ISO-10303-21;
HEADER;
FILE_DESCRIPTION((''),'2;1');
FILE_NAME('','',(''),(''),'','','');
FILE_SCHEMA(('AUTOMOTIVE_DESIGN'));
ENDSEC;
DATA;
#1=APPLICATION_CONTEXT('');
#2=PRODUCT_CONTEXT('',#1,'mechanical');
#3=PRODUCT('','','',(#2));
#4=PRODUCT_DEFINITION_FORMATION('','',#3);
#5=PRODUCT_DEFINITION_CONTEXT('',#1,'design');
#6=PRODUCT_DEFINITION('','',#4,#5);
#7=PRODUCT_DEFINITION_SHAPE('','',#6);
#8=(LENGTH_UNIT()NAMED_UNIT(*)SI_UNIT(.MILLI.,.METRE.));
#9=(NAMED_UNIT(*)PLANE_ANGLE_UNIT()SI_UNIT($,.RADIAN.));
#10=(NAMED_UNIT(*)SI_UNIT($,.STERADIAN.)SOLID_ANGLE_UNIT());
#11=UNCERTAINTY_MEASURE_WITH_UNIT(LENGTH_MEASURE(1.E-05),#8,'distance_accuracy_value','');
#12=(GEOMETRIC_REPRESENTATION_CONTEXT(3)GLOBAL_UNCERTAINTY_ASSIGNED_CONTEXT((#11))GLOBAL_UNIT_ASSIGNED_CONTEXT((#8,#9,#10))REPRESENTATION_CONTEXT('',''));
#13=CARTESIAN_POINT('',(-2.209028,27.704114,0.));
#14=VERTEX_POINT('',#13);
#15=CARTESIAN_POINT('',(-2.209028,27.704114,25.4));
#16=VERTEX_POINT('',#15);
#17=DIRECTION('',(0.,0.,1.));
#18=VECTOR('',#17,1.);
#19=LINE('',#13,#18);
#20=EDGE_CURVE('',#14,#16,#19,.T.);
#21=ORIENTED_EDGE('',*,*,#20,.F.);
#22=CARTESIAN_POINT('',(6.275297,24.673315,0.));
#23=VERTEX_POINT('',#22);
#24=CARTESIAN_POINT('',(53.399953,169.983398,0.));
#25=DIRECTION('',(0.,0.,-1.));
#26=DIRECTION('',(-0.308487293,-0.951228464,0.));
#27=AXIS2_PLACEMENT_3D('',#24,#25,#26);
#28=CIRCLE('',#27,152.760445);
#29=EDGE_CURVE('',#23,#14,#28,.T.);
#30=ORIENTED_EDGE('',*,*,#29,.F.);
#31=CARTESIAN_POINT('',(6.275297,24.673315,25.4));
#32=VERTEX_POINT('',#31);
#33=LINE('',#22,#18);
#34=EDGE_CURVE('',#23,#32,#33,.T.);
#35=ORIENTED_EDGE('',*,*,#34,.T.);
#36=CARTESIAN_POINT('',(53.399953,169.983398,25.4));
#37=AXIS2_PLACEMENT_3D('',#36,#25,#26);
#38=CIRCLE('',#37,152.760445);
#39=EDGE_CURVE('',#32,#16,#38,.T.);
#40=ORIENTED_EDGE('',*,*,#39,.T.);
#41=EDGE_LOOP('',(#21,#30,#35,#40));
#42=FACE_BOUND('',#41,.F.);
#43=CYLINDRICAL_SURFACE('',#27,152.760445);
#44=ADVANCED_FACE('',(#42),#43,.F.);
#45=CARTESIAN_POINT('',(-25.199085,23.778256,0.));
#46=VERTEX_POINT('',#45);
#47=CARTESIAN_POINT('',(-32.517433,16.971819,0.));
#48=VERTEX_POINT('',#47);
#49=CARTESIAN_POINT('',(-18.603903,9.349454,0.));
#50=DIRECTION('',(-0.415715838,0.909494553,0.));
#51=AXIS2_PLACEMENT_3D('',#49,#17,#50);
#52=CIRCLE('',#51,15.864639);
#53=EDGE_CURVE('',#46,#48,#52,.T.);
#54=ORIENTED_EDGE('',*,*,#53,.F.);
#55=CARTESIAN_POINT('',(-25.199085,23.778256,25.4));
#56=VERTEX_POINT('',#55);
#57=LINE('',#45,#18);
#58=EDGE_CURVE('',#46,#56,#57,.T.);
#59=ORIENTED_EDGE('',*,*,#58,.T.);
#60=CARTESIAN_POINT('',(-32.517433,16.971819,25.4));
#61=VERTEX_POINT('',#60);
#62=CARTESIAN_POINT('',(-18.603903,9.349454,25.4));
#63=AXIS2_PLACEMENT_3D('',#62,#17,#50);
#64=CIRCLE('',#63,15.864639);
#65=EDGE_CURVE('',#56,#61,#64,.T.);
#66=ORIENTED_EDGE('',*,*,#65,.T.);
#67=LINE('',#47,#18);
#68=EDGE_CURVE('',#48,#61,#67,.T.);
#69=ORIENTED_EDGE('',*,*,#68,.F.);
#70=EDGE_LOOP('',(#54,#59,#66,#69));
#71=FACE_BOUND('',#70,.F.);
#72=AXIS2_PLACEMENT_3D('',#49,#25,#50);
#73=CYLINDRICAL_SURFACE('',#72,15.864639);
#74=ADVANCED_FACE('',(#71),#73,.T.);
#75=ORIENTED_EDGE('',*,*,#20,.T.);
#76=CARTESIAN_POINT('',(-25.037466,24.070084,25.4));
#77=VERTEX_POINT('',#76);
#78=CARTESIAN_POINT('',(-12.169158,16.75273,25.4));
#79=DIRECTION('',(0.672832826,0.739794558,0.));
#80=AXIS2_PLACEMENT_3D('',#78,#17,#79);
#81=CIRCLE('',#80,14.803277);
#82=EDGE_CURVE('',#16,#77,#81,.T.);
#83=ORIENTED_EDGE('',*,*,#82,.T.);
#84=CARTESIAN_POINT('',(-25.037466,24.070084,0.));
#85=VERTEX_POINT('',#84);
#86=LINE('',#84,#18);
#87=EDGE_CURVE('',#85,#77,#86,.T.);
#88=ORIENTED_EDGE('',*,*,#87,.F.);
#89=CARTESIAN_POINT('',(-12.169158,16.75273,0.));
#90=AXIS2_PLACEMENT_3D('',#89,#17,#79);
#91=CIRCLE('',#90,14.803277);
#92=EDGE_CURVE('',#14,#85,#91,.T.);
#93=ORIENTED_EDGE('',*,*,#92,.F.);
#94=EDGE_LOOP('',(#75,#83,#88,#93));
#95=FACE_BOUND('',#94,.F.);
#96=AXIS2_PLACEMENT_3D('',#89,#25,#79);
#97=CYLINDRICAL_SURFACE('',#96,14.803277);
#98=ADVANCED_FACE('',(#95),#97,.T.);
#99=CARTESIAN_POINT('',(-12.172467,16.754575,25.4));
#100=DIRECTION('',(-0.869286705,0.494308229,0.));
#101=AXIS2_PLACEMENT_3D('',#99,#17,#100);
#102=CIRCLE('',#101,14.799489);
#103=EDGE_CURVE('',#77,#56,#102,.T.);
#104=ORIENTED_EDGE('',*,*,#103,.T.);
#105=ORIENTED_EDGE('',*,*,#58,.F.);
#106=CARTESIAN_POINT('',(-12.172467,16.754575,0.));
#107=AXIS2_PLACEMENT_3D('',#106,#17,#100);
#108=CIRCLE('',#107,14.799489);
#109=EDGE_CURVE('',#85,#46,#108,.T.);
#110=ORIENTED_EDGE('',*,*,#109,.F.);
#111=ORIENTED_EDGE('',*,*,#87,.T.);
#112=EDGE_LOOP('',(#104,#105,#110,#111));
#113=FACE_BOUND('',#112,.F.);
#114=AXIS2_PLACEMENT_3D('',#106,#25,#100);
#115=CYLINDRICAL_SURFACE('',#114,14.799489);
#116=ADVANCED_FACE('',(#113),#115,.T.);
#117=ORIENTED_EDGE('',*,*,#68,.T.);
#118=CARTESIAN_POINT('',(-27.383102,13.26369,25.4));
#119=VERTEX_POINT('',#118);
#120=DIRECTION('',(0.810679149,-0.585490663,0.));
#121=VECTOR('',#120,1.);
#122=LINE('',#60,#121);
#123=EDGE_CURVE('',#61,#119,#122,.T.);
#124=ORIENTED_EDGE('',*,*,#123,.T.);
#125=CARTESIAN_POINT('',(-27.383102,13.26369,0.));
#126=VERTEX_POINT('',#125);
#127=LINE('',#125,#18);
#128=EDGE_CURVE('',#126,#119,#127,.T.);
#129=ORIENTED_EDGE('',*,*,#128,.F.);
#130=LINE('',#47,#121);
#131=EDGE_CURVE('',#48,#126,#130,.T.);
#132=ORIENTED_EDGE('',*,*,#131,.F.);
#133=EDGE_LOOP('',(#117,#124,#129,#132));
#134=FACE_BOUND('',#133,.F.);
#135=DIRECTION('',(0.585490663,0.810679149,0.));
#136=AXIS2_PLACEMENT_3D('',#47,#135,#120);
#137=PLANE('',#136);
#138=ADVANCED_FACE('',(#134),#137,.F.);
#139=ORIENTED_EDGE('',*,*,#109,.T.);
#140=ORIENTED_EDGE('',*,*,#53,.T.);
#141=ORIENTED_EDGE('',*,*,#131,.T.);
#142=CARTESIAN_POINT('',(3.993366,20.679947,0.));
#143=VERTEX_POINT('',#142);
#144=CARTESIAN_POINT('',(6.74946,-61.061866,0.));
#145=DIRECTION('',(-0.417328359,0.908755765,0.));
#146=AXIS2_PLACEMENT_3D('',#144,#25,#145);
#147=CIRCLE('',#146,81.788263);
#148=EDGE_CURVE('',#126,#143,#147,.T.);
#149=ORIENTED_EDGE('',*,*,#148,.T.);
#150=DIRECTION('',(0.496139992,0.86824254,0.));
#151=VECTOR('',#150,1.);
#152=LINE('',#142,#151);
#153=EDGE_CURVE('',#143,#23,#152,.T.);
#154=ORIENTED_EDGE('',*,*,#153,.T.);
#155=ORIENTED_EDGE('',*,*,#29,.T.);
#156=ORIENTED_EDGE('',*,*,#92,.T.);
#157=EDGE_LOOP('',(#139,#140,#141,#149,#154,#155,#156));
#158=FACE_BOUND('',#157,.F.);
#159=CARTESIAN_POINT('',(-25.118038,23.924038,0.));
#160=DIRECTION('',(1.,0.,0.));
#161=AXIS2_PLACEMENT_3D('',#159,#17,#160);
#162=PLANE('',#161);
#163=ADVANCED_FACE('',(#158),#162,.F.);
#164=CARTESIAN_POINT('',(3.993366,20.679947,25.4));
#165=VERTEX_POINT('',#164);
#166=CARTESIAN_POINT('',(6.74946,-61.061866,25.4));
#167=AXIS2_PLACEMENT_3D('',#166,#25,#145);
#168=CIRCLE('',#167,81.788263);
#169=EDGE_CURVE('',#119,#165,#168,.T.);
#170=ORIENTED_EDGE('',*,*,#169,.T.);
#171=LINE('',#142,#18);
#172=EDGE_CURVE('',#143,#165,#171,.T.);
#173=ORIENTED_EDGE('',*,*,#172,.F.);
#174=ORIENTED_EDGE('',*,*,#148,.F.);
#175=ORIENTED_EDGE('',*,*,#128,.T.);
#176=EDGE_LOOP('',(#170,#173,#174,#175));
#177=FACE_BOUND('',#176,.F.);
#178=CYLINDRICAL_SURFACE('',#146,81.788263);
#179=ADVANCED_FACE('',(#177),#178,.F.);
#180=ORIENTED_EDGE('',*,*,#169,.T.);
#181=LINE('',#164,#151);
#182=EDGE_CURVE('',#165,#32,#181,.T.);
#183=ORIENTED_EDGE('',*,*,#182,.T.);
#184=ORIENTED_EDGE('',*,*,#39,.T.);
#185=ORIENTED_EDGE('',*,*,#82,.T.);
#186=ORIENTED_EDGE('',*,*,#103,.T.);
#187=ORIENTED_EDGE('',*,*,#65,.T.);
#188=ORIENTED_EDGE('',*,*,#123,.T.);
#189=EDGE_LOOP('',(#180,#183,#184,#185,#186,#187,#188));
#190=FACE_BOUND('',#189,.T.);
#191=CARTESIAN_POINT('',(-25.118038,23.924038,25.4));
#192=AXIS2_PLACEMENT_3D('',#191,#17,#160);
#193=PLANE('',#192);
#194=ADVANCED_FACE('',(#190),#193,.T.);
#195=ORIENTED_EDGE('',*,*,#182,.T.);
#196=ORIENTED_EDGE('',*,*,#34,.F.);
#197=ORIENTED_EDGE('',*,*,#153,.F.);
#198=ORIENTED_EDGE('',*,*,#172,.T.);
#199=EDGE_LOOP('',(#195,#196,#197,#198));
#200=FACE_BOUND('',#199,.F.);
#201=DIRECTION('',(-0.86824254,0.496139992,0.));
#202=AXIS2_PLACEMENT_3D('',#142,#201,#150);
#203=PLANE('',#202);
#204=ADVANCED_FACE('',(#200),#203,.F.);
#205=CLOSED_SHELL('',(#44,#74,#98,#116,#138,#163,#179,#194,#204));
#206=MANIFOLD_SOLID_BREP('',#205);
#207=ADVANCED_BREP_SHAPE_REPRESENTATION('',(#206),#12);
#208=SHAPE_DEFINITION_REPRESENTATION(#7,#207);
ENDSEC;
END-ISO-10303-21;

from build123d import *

# Parameters (mm, degrees)
F1_DEPTH = 25.4


with BuildPart() as f1:
    # F0 (on Top) → F1 (new body)
    with BuildSketch(Plane.XY):
        with BuildLine():
            ThreePointArc((-25.037466, 24.070084), (-25.119098, 23.924625), (-25.199085, 23.778256))
            ThreePointArc((-25.199085, 23.778256), (-25.116651, 23.92327), (-25.037466, 24.070084))
        make_face()
        with BuildLine():
            ThreePointArc((0, 25.181762), (3.144174, 25.008082), (6.275297, 24.673315))
            ThreePointArc((6.275297, 24.673315), (2.010786, 26.126153), (-2.209028, 27.704114))
            ThreePointArc((-2.209028, 27.704114), (-1.03287, 26.505682), (0, 25.181762))
        make_face()
        with BuildLine():
            ThreePointArc((-25.199085, 23.778256), (-29.408241, 20.966383), (-32.517433, 16.971819))
            ThreePointArc((-32.517433, 16.971819), (-29.608499, 18.550282), (-26.618683, 19.969595))
            ThreePointArc((-26.618683, 19.969595), (-26.040227, 21.92288), (-25.199085, 23.778256))
        make_face()
        with BuildLine():
            ThreePointArc((-27.383102, 13.26369), (-12.063925, 18.533213), (3.993366, 20.679947))
            Line((3.993366, 20.679947), (6.275297, 24.673315))
            ThreePointArc((6.275297, 24.673315), (3.144174, 25.008082), (0, 25.181762))
            ThreePointArc((0, 25.181762), (-13.600973, 24.065045), (-26.618683, 19.969595))
            ThreePointArc((-26.618683, 19.969595), (-29.608499, 18.550282), (-32.517433, 16.971819))
            Line((-32.517433, 16.971819), (-27.383102, 13.26369))
        make_face()
        with BuildLine():
            ThreePointArc((-26.618683, 19.969595), (-13.600973, 24.065045), (0, 25.181762))
            ThreePointArc((0, 25.181762), (-1.03287, 26.505682), (-2.209028, 27.704114))
            ThreePointArc((-2.209028, 27.704114), (-14.496371, 31.371933), (-25.037466, 24.070084))
            ThreePointArc((-25.037466, 24.070084), (-25.116651, 23.92327), (-25.199085, 23.778256))
            ThreePointArc((-25.199085, 23.778256), (-26.040227, 21.92288), (-26.618683, 19.969595))
        make_face()
    extrude(amount=F1_DEPTH)


solid = f1.part
